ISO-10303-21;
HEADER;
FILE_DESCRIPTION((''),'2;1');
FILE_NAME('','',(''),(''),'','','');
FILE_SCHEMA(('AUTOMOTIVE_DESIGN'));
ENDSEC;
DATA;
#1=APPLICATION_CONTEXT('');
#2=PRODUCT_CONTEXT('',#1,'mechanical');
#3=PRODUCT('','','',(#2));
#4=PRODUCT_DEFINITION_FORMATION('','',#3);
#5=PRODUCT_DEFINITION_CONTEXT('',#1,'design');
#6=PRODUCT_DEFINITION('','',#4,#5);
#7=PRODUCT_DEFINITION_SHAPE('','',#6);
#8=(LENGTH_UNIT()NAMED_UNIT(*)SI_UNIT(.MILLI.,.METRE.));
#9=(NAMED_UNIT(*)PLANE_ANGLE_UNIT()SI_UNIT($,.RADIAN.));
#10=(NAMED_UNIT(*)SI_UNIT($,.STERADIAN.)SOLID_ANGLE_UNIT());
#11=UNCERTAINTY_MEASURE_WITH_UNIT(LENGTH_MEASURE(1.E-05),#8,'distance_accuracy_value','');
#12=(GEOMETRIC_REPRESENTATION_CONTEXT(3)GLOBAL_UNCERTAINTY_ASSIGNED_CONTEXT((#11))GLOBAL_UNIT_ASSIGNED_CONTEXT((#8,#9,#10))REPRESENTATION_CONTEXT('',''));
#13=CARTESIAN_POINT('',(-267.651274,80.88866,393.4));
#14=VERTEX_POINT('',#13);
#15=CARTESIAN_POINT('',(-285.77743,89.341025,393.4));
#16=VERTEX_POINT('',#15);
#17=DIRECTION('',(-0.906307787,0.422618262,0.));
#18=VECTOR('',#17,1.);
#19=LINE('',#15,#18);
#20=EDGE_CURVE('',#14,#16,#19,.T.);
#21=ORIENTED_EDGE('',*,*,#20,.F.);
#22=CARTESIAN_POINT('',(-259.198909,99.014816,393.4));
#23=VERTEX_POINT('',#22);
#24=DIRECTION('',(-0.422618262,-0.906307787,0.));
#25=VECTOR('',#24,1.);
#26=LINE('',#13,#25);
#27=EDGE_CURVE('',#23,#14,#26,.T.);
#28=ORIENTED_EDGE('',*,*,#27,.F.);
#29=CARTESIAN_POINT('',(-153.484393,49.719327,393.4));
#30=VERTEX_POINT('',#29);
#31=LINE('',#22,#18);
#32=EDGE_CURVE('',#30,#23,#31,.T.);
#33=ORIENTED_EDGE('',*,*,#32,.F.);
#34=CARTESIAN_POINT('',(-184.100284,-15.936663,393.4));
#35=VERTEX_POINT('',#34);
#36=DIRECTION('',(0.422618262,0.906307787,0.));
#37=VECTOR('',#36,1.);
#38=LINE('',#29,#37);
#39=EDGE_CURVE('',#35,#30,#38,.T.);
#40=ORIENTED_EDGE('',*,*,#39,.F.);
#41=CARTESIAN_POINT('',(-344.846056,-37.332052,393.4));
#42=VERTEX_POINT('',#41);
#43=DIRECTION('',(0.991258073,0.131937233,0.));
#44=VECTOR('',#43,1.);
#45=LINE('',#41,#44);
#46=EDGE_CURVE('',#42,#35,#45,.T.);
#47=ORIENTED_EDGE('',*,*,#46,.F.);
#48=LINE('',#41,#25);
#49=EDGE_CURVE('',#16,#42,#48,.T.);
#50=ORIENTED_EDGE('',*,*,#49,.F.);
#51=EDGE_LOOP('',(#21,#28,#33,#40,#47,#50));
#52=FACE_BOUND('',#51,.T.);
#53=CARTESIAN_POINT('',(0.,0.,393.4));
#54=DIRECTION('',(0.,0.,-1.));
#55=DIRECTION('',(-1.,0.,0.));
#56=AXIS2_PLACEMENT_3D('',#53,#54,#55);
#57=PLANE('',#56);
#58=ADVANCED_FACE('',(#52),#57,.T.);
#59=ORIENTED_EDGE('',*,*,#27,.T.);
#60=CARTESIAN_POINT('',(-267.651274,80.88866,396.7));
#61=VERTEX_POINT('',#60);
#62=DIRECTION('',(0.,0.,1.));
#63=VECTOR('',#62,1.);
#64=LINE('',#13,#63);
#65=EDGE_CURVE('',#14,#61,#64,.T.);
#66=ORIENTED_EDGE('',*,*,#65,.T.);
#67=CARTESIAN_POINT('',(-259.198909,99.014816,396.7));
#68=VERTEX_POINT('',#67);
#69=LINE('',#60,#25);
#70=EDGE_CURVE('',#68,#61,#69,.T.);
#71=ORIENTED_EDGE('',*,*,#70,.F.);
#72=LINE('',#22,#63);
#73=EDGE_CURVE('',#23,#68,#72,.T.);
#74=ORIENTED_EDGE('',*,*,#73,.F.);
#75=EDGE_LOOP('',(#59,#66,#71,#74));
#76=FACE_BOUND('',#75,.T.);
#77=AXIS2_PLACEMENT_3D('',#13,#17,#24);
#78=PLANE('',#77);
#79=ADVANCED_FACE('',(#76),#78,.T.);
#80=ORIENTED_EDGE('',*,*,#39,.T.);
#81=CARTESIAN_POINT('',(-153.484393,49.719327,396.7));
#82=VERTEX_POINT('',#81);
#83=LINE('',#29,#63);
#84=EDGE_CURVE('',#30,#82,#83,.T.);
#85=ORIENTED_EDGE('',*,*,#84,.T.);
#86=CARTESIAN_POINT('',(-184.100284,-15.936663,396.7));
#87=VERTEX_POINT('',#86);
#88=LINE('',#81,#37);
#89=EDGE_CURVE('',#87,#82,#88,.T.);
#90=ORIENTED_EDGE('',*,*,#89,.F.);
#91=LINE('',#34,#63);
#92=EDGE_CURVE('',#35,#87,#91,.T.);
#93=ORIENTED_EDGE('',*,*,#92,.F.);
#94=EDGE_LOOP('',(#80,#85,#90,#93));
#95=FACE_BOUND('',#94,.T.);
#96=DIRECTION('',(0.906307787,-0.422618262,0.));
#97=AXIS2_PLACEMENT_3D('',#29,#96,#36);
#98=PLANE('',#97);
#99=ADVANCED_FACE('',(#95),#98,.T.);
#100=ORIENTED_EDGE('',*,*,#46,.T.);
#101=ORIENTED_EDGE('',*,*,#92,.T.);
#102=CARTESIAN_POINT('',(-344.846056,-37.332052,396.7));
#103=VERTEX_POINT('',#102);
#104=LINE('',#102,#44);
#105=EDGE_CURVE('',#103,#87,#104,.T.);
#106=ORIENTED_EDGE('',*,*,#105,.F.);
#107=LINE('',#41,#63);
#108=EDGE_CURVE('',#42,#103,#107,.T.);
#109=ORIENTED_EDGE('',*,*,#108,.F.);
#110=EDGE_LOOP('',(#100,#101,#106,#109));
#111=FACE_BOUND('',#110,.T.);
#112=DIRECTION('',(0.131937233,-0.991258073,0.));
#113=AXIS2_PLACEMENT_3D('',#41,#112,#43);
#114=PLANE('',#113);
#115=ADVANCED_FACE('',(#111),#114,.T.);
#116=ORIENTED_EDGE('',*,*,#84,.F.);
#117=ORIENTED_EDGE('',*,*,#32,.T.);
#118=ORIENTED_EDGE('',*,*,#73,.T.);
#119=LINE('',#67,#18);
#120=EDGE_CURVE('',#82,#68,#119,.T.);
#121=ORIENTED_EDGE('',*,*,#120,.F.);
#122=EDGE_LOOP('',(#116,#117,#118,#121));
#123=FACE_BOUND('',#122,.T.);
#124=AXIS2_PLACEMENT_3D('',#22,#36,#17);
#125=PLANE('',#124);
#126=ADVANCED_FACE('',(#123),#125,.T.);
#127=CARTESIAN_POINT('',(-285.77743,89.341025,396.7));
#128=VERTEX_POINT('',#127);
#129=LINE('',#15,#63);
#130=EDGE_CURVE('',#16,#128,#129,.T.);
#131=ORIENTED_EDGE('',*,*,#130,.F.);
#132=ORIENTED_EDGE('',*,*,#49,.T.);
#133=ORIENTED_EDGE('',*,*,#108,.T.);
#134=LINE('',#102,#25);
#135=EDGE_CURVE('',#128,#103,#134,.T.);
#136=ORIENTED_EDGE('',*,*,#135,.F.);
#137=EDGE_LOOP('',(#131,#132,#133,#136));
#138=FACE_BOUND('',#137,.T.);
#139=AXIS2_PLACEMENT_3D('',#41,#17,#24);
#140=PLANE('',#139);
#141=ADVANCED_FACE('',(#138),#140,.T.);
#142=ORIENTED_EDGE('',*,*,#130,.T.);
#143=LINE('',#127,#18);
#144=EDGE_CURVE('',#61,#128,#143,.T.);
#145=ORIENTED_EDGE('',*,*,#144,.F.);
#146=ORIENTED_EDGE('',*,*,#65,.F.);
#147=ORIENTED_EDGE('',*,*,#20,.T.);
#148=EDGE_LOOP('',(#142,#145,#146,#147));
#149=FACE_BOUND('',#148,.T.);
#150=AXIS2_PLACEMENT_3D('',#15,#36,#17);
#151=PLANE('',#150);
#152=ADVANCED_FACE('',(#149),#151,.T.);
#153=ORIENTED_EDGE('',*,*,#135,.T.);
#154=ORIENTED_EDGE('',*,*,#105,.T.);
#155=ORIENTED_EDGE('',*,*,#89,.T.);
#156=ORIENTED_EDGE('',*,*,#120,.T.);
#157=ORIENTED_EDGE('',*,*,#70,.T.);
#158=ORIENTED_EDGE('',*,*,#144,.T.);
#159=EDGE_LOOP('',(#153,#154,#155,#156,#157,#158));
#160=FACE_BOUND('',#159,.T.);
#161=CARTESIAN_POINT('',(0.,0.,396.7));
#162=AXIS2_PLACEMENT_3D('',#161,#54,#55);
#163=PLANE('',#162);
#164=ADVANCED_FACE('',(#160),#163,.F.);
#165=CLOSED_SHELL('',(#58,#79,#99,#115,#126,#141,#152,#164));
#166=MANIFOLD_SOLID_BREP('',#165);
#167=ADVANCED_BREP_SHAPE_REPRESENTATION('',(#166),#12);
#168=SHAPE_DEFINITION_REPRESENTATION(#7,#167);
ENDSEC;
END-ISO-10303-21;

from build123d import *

# Parameters (mm, degrees)
BOSS_EXTRUDE1_DEPTH = 3.3


with BuildPart() as part:
    # Sketch1 → Boss-Extrude1 (new body)
    with BuildSketch(Plane.XY.offset(396.7)):
        Polygon((-344.846056087, -37.332052475), (-184.100284021, -15.936663151), (-153.484392838, 49.719327367), (-259.198908878, 99.014815774), (-267.651274112, 80.888660034), (-285.777429853, 89.341025269), align=None)
    extrude(amount=-BOSS_EXTRUDE1_DEPTH)


solid = part.part
